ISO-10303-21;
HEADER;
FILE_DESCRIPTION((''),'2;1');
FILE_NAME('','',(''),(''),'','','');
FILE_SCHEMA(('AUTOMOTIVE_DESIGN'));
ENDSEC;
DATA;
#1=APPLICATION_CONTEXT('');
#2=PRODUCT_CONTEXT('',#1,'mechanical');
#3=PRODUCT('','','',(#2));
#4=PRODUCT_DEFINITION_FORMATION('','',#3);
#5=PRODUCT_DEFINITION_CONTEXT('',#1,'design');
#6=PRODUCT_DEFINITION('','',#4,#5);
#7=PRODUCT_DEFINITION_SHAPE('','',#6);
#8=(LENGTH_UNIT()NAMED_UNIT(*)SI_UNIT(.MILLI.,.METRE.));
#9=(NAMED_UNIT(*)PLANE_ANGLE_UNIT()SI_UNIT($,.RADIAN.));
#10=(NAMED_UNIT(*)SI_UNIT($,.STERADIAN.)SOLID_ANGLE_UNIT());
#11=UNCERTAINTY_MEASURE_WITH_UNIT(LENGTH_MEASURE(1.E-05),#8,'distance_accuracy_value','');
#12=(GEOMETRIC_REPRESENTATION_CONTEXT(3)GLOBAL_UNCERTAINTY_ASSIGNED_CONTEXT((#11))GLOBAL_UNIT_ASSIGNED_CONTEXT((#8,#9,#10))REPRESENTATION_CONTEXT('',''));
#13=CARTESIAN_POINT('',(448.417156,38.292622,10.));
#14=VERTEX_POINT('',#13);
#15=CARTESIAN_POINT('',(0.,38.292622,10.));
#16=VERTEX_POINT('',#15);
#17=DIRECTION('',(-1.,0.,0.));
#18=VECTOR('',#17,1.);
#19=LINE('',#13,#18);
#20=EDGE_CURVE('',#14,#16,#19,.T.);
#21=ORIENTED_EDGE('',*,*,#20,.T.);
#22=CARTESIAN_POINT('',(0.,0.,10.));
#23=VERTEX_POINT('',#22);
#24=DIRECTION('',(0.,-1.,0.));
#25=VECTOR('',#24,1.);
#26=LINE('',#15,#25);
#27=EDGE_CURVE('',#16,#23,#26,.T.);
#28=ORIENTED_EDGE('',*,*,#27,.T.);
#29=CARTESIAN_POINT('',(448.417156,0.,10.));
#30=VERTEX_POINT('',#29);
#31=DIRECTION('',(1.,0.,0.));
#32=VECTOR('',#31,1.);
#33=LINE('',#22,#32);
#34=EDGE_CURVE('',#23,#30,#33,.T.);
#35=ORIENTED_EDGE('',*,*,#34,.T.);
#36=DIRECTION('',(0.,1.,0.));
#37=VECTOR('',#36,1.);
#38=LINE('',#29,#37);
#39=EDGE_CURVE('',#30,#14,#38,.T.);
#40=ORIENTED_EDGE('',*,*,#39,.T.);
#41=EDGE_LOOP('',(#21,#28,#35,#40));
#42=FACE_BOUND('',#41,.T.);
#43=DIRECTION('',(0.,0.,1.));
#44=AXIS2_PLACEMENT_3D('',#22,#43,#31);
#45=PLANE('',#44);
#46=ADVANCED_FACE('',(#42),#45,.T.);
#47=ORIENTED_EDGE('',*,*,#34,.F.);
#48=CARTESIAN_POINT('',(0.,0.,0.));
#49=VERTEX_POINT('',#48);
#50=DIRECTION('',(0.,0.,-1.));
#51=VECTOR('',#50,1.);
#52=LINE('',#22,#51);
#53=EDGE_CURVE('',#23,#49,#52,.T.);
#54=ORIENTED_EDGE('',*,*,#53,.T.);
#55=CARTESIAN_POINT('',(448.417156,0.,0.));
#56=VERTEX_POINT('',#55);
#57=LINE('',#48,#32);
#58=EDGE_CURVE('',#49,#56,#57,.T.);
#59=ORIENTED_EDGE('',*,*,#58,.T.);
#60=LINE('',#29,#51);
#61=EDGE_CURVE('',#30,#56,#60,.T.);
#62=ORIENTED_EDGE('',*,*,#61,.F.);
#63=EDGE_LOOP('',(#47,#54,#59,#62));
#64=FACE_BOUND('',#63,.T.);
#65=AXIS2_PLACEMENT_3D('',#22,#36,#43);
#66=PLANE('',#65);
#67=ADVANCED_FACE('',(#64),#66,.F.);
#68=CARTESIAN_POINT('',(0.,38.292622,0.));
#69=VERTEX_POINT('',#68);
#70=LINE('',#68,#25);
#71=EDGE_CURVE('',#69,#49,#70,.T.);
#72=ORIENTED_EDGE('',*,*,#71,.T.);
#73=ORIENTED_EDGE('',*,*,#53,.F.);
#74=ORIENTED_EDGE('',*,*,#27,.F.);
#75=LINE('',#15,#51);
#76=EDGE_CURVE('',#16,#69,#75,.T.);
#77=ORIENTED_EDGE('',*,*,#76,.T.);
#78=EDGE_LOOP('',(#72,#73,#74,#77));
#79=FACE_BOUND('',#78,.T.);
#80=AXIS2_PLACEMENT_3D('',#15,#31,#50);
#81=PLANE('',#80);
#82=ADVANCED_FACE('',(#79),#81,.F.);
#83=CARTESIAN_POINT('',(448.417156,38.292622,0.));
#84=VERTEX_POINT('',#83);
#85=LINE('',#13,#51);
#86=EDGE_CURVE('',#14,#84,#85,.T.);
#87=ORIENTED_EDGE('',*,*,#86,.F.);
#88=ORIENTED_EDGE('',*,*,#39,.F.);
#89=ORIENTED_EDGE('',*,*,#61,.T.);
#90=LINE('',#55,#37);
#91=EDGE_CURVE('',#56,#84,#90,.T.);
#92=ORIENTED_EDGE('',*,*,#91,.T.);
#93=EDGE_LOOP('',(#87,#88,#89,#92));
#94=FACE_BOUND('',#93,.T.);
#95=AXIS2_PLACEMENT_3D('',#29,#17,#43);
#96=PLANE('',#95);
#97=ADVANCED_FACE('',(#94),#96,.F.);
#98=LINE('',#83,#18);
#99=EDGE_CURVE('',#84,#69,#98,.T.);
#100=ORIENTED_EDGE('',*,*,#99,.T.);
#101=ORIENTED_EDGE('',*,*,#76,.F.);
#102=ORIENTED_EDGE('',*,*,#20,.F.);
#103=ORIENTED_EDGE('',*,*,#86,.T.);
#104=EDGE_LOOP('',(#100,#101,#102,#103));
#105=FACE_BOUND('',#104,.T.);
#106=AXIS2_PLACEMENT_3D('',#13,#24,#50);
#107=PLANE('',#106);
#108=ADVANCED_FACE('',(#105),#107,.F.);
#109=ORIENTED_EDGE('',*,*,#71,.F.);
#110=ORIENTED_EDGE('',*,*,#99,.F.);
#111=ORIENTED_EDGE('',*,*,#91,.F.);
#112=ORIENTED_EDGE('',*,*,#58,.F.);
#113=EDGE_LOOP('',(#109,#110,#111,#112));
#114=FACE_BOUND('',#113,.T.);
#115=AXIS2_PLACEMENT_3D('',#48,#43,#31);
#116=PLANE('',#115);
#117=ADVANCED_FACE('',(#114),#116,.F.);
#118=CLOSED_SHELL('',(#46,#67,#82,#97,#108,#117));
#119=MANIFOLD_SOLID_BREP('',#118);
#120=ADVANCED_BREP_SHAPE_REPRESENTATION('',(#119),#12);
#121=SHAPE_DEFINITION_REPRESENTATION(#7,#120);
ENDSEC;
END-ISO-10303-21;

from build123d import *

# Parameters (mm, degrees)
SKETCH1_W           = 448.417155537
SKETCH1_H           = 38.292622135
BOSS_EXTRUDE1_DEPTH = 10


with BuildPart() as part:
    # Sketch1 → Boss-Extrude1 (new body)
    with BuildSketch(Plane.XY):
        with Locations((224.208577769, 19.146311068)):
            Rectangle(SKETCH1_W, SKETCH1_H)
    extrude(amount=BOSS_EXTRUDE1_DEPTH)


solid = part.part
